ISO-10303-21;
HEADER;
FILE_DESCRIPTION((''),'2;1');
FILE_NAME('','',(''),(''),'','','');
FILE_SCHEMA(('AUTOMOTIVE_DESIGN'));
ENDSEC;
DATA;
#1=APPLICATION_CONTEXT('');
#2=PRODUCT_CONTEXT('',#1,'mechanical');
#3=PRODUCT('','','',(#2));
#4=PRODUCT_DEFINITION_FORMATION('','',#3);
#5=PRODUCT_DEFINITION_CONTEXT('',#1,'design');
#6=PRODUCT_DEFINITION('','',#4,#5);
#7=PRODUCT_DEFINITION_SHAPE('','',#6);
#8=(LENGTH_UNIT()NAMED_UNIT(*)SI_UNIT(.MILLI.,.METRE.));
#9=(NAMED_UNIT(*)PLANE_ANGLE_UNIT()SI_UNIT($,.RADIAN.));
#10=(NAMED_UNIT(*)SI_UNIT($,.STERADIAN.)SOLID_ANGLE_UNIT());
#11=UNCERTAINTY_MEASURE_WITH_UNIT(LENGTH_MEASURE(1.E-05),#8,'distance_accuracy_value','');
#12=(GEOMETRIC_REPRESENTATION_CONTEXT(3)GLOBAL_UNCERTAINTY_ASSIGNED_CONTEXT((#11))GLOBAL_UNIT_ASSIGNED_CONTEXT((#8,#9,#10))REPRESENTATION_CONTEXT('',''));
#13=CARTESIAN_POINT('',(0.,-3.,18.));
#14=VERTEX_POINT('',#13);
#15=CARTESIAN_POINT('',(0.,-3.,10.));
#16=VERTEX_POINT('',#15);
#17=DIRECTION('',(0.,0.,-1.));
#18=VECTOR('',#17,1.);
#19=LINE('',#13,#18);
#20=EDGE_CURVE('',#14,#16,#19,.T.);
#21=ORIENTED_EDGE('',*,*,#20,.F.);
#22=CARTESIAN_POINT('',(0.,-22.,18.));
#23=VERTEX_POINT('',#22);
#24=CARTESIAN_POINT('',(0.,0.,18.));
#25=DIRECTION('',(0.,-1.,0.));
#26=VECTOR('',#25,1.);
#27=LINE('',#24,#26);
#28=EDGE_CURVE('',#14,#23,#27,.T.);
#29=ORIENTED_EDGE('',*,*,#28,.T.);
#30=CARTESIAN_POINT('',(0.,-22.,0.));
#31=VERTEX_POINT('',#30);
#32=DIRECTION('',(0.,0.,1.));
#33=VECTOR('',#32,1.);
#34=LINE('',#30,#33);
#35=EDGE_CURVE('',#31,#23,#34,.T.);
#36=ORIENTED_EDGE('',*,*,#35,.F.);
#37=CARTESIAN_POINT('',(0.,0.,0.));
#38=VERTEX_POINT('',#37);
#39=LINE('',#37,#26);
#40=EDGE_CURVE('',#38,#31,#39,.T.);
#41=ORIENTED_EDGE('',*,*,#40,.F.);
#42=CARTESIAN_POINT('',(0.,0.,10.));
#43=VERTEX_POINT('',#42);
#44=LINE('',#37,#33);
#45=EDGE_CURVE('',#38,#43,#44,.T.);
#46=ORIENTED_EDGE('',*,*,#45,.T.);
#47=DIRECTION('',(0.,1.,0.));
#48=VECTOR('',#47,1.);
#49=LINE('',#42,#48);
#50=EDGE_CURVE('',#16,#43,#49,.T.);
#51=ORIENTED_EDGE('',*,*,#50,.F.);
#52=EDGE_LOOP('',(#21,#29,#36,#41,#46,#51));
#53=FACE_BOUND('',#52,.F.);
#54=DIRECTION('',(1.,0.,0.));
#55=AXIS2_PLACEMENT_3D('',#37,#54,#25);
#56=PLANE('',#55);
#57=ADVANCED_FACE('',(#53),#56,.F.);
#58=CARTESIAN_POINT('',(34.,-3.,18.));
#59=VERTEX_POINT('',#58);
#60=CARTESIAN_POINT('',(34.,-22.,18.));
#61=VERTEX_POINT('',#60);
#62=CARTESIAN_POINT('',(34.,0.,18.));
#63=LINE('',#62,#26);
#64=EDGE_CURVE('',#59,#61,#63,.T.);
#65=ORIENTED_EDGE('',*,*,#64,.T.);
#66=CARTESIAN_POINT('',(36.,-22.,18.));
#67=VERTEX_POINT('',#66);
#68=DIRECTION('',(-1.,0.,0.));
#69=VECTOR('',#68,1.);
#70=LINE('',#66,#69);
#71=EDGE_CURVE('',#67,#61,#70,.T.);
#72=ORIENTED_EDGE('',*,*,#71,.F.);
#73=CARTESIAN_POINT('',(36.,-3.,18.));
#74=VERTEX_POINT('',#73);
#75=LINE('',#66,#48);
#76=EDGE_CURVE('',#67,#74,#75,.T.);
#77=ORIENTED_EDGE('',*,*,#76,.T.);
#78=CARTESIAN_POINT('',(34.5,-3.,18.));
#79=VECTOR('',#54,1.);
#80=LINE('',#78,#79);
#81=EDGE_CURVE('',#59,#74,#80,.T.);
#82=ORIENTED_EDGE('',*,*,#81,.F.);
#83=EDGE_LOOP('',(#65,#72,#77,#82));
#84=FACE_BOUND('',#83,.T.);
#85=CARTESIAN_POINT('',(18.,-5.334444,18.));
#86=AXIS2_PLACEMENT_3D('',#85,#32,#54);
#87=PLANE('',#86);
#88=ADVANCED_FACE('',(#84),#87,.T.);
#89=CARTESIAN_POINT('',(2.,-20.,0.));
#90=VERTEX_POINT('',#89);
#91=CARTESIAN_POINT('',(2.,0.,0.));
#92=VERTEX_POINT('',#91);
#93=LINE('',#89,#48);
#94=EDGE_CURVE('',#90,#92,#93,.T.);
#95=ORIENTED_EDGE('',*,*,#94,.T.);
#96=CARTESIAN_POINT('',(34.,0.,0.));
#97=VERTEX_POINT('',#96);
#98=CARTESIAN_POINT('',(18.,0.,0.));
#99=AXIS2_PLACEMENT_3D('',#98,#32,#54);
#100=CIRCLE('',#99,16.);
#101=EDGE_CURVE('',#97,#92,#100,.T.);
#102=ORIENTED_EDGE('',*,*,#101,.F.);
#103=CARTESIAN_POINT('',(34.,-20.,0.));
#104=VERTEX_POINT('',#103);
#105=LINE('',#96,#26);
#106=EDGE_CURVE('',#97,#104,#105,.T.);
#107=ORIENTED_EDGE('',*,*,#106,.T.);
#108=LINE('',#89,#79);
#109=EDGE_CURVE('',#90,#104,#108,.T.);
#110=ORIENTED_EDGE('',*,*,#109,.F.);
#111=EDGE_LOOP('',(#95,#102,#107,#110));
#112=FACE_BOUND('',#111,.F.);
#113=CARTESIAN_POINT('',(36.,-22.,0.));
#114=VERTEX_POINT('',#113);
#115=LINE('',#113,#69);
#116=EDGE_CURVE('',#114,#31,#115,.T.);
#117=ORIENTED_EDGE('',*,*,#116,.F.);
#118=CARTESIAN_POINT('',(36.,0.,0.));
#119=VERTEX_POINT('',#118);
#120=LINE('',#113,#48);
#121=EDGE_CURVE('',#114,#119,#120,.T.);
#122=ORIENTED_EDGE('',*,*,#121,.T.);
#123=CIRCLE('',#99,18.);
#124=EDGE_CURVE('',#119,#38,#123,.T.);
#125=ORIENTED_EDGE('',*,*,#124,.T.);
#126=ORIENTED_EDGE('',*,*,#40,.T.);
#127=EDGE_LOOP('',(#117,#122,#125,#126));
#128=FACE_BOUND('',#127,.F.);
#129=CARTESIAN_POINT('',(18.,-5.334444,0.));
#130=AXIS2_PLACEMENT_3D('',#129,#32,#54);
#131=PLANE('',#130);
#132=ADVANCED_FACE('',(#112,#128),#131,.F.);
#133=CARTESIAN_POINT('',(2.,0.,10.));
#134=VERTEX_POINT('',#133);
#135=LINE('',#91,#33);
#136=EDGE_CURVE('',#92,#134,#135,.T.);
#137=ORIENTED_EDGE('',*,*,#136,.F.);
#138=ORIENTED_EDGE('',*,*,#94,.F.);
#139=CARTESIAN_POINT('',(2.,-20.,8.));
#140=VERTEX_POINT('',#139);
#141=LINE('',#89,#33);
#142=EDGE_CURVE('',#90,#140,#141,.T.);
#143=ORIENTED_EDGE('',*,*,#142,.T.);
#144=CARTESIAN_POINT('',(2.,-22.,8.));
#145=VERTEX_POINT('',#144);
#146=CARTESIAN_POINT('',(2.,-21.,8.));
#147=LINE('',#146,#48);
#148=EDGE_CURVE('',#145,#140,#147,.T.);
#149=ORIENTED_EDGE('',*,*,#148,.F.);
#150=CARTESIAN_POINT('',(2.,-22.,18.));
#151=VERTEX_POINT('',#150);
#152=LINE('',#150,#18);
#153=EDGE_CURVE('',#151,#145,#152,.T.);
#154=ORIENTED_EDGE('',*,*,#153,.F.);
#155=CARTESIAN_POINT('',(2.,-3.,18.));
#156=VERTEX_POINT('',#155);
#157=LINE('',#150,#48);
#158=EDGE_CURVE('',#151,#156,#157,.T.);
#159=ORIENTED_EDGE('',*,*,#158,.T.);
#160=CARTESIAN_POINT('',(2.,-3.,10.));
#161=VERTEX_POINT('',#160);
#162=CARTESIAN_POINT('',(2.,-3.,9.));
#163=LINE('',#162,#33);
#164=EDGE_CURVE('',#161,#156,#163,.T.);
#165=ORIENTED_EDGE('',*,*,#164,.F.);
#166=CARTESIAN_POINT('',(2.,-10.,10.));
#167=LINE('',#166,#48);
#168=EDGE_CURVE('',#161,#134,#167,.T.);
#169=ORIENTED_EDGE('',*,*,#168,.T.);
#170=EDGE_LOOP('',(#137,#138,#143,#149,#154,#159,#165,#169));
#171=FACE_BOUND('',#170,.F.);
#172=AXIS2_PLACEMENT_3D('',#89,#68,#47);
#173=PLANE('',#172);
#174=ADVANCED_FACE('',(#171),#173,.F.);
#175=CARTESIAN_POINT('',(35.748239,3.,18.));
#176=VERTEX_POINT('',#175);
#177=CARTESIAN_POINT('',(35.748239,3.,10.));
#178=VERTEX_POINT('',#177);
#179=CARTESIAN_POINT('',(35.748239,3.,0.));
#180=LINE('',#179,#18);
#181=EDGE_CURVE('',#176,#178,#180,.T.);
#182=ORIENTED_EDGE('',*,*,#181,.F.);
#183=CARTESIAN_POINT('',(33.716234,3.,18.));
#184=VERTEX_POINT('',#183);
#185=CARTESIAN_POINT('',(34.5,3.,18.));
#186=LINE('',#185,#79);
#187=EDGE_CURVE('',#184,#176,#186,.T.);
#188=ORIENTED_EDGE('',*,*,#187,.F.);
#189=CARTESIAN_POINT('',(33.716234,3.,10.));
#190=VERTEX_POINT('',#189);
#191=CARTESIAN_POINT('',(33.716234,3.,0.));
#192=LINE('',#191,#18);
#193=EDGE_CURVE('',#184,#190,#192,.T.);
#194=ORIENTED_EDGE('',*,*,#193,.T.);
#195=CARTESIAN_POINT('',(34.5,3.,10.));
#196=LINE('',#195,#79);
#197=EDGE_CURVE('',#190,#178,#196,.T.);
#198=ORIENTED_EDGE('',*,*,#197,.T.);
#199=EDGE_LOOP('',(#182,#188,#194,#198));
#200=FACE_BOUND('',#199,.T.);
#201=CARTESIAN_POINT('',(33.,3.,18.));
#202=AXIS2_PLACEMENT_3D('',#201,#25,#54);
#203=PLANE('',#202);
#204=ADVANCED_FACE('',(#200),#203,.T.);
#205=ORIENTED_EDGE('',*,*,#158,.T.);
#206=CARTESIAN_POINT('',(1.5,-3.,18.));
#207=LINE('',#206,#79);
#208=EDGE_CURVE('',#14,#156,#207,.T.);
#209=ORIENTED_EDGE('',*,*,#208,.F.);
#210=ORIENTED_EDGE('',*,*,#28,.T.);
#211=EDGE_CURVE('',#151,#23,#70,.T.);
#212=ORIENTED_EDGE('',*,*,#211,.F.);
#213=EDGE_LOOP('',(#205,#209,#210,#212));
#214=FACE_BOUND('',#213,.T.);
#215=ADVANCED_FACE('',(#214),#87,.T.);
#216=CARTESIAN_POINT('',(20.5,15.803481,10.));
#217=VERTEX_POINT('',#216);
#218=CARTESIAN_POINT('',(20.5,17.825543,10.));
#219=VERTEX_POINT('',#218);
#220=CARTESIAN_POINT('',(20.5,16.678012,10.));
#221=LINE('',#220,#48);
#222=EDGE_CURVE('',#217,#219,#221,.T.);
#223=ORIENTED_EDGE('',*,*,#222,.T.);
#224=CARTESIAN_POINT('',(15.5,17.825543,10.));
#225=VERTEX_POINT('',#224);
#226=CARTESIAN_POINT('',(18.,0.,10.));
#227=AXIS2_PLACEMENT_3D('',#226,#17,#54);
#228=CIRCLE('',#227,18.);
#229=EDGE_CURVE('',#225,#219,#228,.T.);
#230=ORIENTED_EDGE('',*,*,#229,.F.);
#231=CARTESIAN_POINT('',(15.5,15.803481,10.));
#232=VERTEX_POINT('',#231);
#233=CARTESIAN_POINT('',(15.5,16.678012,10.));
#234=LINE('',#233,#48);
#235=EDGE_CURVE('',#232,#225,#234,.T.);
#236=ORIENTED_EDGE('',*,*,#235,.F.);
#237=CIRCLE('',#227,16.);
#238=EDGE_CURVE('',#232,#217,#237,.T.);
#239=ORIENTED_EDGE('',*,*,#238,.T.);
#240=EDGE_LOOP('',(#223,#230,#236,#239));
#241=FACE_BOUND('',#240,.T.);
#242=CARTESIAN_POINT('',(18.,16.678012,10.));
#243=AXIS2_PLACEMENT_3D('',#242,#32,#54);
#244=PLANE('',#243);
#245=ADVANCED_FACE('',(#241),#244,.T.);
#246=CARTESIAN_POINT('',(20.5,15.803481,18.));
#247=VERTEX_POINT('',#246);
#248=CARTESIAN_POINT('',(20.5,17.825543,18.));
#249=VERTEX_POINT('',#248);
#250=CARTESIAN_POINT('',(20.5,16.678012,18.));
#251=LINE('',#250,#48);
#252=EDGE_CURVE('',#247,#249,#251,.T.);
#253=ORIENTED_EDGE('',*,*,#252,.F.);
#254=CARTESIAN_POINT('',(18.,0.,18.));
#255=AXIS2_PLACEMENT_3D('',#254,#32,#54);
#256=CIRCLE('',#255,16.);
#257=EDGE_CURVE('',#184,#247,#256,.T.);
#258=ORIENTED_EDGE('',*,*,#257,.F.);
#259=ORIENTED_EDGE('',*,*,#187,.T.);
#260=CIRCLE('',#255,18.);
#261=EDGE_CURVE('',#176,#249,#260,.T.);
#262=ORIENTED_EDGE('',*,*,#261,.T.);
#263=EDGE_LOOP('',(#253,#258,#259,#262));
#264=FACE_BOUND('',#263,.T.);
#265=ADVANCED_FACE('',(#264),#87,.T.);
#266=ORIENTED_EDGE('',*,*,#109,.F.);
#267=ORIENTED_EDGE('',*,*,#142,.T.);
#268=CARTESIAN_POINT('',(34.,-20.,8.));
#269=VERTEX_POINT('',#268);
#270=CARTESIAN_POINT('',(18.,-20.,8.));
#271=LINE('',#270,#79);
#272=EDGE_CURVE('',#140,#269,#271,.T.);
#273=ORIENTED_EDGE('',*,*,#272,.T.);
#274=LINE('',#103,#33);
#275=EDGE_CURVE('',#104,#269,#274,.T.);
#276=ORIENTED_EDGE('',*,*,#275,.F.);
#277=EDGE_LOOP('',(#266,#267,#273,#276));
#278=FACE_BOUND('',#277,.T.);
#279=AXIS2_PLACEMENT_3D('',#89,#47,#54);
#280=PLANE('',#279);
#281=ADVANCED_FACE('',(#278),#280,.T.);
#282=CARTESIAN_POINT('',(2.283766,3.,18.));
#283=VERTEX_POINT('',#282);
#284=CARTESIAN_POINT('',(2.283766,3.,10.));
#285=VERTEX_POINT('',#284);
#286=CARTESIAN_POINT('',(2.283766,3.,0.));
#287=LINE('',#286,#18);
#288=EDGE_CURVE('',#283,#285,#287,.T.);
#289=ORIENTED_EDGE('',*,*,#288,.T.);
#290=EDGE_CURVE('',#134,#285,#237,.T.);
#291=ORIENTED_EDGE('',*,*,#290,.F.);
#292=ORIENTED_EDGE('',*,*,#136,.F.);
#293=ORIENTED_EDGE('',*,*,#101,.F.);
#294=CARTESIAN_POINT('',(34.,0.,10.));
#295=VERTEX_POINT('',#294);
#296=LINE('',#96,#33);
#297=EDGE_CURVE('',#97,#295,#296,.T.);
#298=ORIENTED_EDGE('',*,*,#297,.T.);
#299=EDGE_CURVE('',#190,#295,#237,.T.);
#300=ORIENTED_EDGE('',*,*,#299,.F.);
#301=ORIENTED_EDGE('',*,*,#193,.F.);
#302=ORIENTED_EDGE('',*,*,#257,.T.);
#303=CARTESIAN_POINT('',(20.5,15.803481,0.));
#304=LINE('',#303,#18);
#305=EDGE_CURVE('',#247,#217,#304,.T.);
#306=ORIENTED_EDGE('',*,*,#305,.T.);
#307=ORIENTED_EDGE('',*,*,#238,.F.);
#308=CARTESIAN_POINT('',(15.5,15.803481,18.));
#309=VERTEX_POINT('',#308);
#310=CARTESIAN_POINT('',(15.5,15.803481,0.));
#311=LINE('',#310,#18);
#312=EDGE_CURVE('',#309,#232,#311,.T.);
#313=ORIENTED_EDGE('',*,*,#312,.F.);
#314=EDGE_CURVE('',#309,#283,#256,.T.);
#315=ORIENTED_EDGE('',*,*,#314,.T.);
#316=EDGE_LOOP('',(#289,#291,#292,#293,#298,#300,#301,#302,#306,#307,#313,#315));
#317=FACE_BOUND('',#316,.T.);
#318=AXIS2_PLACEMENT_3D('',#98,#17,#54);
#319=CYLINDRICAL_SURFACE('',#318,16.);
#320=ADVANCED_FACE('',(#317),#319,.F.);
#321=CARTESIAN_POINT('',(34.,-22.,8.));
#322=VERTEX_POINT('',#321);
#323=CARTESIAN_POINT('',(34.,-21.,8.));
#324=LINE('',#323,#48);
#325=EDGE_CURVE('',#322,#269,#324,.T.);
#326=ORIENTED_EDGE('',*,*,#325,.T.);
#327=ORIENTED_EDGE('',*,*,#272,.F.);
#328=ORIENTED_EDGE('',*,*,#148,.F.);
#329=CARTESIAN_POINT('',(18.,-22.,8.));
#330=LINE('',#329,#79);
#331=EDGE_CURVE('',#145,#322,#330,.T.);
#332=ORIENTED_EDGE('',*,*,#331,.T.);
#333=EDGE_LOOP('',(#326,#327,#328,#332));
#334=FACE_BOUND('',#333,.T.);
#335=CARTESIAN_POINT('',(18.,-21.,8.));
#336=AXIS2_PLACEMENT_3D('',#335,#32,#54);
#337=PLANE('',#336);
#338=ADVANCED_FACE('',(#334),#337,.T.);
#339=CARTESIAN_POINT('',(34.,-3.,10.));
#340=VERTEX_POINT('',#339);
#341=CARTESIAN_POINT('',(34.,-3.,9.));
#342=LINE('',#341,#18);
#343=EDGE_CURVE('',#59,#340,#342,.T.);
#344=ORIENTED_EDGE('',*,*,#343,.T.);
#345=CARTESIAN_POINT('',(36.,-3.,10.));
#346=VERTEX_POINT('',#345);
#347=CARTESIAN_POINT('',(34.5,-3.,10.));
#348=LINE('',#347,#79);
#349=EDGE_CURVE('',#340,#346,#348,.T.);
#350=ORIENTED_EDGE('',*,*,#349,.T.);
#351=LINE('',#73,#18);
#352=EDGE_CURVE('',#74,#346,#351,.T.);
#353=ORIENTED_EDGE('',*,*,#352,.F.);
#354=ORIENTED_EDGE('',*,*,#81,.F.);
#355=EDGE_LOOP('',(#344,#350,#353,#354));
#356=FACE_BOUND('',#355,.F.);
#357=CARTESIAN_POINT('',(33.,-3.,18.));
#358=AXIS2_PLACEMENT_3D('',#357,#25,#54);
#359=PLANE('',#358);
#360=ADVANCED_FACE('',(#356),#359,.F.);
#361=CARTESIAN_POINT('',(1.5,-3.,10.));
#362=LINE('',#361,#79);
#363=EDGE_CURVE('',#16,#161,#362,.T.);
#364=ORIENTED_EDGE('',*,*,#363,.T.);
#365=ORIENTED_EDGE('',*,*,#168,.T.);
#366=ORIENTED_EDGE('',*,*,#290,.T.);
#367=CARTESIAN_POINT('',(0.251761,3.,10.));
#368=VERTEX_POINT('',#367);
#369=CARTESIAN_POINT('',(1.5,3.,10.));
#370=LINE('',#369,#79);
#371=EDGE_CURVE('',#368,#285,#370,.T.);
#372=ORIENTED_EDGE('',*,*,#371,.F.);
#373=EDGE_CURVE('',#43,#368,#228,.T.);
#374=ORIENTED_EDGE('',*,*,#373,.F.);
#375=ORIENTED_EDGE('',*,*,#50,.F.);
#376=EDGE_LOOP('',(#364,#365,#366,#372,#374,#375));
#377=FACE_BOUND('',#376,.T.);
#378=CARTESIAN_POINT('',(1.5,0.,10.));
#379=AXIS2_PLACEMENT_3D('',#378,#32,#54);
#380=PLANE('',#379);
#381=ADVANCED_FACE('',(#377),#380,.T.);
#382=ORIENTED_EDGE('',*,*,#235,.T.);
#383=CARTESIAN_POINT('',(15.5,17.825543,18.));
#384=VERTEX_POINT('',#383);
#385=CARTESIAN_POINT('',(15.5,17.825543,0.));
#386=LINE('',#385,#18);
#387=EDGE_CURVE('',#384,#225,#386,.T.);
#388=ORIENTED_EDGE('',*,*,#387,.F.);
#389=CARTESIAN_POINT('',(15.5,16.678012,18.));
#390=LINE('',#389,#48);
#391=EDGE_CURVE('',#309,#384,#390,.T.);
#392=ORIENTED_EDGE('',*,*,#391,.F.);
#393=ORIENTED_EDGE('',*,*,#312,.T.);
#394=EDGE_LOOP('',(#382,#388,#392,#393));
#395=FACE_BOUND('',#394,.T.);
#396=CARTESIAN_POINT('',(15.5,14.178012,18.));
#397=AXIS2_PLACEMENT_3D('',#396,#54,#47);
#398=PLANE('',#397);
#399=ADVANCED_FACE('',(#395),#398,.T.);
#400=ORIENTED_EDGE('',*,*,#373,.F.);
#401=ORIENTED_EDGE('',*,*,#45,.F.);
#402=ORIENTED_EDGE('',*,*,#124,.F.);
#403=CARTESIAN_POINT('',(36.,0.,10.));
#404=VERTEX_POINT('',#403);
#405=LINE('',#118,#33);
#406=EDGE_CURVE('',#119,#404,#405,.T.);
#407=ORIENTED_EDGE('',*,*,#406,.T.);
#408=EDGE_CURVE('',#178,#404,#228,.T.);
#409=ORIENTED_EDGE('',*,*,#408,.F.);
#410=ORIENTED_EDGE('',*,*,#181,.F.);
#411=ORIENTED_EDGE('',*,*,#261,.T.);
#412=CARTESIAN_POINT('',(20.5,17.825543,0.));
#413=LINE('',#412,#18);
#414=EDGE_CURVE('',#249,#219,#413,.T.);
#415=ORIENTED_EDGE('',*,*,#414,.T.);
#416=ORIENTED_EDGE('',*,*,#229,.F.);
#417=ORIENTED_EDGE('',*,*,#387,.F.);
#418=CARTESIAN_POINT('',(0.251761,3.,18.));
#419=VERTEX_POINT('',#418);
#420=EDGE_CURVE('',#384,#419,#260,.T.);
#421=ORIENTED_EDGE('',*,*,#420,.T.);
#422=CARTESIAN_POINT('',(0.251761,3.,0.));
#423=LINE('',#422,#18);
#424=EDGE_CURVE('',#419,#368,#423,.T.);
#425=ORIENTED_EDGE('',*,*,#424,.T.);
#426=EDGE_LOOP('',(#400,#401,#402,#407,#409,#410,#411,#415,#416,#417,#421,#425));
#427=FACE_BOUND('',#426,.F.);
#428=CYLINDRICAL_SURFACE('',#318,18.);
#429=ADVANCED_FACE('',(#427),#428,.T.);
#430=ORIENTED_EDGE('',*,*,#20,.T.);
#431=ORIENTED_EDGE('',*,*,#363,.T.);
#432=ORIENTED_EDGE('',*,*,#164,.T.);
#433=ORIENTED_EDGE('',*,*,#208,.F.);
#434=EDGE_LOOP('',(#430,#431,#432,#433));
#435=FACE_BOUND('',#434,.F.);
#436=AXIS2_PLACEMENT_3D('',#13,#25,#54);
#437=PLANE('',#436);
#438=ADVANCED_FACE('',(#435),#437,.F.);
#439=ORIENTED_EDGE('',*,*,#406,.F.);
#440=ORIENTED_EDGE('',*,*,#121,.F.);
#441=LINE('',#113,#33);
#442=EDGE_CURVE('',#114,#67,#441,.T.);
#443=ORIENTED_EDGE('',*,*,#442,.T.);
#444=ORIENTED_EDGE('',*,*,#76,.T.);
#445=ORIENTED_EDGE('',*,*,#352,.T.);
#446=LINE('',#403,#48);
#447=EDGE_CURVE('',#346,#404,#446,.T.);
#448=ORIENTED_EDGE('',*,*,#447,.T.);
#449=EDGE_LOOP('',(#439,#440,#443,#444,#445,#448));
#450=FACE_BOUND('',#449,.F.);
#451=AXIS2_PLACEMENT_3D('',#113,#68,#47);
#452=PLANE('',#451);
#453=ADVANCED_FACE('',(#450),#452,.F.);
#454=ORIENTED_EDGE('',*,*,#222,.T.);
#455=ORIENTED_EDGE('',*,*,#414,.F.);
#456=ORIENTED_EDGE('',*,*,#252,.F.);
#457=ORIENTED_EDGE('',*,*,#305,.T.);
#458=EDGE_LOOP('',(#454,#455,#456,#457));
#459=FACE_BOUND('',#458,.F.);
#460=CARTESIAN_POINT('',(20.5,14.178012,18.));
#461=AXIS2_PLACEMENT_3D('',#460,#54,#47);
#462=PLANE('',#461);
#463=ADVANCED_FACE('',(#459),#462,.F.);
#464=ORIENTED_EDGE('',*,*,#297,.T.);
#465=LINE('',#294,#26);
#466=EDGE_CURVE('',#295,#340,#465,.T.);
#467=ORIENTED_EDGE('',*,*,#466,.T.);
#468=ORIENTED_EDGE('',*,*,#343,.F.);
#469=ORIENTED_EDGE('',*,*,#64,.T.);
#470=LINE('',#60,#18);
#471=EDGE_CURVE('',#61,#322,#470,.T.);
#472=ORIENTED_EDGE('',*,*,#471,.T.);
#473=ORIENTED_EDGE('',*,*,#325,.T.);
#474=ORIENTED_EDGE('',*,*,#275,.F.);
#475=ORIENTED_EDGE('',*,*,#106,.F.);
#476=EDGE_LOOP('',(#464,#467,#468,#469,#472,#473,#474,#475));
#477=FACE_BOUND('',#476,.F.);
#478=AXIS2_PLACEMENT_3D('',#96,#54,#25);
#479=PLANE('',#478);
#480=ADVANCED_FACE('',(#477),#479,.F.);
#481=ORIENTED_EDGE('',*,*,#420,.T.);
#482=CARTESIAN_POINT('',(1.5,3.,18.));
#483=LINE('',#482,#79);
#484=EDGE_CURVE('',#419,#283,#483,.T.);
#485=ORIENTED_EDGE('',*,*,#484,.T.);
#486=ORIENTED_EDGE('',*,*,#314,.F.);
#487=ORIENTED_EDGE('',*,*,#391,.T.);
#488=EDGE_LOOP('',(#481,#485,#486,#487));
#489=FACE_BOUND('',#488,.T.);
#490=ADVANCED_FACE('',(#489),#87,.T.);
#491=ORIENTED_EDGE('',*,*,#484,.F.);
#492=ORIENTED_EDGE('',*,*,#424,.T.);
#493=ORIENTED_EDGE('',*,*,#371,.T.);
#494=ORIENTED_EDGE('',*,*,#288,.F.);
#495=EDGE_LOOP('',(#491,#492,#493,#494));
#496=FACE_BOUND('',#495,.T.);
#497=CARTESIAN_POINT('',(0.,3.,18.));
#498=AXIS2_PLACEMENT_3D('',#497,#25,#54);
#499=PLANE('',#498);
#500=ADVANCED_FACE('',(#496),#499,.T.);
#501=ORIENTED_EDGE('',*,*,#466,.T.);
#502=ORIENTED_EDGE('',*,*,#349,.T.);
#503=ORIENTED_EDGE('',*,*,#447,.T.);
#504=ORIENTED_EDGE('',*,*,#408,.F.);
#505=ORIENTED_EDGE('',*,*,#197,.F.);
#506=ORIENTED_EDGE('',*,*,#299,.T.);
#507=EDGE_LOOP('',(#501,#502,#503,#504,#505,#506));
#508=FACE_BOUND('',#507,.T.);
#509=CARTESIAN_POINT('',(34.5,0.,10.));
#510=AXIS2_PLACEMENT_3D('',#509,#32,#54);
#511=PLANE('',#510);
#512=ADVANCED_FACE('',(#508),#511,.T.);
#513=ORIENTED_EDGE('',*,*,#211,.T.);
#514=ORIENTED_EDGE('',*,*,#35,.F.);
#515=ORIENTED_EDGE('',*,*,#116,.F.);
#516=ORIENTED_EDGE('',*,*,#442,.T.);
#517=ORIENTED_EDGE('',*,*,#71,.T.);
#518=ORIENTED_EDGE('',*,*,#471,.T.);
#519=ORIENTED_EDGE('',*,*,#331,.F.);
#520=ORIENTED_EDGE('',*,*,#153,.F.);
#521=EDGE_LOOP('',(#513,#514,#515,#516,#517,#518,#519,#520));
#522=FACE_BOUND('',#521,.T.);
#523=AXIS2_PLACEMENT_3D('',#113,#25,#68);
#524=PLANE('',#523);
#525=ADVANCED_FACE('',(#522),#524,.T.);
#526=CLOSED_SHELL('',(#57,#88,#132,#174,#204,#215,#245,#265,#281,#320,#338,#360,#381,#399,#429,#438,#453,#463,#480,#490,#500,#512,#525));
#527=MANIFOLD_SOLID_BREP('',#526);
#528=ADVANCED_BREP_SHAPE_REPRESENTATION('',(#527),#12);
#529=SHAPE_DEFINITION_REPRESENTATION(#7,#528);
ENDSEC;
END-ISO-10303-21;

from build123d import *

# Parameters (mm, degrees)
PAD048_DEPTH    = 18
SKETCH114_W     = 32
SKETCH114_H     = 2
POCKET042_DEPTH = 10
SKETCH158_W     = 5
SKETCH158_H     = 5
SKETCH158_W_2   = 3
SKETCH158_H_2   = 6
POCKET062_DEPTH = 8


with BuildPart() as part:
    # Sketch085 → Pad048 (new body)
    with BuildSketch(Plane.XY):
        with BuildLine():
            ThreePointArc((36, 0), (18, 18), (0, 0))
            Line((0, 0), (0, -22))
            Line((36, -22), (0, -22))
            Line((36, -22), (36, 0))
        make_face()
        with BuildLine():
            ThreePointArc((34, 0), (18, 16), (2, 0))
            Line((2, -20), (2, 0))
            Line((2, -20), (34, -20))
            Line((34, 0), (34, -20))
        make_face(mode=Mode.SUBTRACT)
    extrude(amount=PAD048_DEPTH)

    # Sketch114 (on Face10 of Pad048) → Pocket042 (cut)
    with BuildSketch(Plane.XY.offset(18)):
        with Locations((18, -21)):
            Rectangle(SKETCH114_W, SKETCH114_H)
    extrude(amount=-POCKET042_DEPTH, mode=Mode.SUBTRACT)

    # Sketch158 (on Face5 of Pocket042) → Pocket062 (cut)
    with BuildSketch(Plane.XY.offset(18)):
        with Locations((18, 16.678012)):
            Rectangle(SKETCH158_W, SKETCH158_H)
        with Locations((1.5, 0)):
            Rectangle(SKETCH158_W_2, SKETCH158_H_2)
        with Locations((34.5, 0)):
            Rectangle(SKETCH158_W_2, SKETCH158_H_2)
    extrude(amount=-POCKET062_DEPTH, mode=Mode.SUBTRACT)


solid = part.part
